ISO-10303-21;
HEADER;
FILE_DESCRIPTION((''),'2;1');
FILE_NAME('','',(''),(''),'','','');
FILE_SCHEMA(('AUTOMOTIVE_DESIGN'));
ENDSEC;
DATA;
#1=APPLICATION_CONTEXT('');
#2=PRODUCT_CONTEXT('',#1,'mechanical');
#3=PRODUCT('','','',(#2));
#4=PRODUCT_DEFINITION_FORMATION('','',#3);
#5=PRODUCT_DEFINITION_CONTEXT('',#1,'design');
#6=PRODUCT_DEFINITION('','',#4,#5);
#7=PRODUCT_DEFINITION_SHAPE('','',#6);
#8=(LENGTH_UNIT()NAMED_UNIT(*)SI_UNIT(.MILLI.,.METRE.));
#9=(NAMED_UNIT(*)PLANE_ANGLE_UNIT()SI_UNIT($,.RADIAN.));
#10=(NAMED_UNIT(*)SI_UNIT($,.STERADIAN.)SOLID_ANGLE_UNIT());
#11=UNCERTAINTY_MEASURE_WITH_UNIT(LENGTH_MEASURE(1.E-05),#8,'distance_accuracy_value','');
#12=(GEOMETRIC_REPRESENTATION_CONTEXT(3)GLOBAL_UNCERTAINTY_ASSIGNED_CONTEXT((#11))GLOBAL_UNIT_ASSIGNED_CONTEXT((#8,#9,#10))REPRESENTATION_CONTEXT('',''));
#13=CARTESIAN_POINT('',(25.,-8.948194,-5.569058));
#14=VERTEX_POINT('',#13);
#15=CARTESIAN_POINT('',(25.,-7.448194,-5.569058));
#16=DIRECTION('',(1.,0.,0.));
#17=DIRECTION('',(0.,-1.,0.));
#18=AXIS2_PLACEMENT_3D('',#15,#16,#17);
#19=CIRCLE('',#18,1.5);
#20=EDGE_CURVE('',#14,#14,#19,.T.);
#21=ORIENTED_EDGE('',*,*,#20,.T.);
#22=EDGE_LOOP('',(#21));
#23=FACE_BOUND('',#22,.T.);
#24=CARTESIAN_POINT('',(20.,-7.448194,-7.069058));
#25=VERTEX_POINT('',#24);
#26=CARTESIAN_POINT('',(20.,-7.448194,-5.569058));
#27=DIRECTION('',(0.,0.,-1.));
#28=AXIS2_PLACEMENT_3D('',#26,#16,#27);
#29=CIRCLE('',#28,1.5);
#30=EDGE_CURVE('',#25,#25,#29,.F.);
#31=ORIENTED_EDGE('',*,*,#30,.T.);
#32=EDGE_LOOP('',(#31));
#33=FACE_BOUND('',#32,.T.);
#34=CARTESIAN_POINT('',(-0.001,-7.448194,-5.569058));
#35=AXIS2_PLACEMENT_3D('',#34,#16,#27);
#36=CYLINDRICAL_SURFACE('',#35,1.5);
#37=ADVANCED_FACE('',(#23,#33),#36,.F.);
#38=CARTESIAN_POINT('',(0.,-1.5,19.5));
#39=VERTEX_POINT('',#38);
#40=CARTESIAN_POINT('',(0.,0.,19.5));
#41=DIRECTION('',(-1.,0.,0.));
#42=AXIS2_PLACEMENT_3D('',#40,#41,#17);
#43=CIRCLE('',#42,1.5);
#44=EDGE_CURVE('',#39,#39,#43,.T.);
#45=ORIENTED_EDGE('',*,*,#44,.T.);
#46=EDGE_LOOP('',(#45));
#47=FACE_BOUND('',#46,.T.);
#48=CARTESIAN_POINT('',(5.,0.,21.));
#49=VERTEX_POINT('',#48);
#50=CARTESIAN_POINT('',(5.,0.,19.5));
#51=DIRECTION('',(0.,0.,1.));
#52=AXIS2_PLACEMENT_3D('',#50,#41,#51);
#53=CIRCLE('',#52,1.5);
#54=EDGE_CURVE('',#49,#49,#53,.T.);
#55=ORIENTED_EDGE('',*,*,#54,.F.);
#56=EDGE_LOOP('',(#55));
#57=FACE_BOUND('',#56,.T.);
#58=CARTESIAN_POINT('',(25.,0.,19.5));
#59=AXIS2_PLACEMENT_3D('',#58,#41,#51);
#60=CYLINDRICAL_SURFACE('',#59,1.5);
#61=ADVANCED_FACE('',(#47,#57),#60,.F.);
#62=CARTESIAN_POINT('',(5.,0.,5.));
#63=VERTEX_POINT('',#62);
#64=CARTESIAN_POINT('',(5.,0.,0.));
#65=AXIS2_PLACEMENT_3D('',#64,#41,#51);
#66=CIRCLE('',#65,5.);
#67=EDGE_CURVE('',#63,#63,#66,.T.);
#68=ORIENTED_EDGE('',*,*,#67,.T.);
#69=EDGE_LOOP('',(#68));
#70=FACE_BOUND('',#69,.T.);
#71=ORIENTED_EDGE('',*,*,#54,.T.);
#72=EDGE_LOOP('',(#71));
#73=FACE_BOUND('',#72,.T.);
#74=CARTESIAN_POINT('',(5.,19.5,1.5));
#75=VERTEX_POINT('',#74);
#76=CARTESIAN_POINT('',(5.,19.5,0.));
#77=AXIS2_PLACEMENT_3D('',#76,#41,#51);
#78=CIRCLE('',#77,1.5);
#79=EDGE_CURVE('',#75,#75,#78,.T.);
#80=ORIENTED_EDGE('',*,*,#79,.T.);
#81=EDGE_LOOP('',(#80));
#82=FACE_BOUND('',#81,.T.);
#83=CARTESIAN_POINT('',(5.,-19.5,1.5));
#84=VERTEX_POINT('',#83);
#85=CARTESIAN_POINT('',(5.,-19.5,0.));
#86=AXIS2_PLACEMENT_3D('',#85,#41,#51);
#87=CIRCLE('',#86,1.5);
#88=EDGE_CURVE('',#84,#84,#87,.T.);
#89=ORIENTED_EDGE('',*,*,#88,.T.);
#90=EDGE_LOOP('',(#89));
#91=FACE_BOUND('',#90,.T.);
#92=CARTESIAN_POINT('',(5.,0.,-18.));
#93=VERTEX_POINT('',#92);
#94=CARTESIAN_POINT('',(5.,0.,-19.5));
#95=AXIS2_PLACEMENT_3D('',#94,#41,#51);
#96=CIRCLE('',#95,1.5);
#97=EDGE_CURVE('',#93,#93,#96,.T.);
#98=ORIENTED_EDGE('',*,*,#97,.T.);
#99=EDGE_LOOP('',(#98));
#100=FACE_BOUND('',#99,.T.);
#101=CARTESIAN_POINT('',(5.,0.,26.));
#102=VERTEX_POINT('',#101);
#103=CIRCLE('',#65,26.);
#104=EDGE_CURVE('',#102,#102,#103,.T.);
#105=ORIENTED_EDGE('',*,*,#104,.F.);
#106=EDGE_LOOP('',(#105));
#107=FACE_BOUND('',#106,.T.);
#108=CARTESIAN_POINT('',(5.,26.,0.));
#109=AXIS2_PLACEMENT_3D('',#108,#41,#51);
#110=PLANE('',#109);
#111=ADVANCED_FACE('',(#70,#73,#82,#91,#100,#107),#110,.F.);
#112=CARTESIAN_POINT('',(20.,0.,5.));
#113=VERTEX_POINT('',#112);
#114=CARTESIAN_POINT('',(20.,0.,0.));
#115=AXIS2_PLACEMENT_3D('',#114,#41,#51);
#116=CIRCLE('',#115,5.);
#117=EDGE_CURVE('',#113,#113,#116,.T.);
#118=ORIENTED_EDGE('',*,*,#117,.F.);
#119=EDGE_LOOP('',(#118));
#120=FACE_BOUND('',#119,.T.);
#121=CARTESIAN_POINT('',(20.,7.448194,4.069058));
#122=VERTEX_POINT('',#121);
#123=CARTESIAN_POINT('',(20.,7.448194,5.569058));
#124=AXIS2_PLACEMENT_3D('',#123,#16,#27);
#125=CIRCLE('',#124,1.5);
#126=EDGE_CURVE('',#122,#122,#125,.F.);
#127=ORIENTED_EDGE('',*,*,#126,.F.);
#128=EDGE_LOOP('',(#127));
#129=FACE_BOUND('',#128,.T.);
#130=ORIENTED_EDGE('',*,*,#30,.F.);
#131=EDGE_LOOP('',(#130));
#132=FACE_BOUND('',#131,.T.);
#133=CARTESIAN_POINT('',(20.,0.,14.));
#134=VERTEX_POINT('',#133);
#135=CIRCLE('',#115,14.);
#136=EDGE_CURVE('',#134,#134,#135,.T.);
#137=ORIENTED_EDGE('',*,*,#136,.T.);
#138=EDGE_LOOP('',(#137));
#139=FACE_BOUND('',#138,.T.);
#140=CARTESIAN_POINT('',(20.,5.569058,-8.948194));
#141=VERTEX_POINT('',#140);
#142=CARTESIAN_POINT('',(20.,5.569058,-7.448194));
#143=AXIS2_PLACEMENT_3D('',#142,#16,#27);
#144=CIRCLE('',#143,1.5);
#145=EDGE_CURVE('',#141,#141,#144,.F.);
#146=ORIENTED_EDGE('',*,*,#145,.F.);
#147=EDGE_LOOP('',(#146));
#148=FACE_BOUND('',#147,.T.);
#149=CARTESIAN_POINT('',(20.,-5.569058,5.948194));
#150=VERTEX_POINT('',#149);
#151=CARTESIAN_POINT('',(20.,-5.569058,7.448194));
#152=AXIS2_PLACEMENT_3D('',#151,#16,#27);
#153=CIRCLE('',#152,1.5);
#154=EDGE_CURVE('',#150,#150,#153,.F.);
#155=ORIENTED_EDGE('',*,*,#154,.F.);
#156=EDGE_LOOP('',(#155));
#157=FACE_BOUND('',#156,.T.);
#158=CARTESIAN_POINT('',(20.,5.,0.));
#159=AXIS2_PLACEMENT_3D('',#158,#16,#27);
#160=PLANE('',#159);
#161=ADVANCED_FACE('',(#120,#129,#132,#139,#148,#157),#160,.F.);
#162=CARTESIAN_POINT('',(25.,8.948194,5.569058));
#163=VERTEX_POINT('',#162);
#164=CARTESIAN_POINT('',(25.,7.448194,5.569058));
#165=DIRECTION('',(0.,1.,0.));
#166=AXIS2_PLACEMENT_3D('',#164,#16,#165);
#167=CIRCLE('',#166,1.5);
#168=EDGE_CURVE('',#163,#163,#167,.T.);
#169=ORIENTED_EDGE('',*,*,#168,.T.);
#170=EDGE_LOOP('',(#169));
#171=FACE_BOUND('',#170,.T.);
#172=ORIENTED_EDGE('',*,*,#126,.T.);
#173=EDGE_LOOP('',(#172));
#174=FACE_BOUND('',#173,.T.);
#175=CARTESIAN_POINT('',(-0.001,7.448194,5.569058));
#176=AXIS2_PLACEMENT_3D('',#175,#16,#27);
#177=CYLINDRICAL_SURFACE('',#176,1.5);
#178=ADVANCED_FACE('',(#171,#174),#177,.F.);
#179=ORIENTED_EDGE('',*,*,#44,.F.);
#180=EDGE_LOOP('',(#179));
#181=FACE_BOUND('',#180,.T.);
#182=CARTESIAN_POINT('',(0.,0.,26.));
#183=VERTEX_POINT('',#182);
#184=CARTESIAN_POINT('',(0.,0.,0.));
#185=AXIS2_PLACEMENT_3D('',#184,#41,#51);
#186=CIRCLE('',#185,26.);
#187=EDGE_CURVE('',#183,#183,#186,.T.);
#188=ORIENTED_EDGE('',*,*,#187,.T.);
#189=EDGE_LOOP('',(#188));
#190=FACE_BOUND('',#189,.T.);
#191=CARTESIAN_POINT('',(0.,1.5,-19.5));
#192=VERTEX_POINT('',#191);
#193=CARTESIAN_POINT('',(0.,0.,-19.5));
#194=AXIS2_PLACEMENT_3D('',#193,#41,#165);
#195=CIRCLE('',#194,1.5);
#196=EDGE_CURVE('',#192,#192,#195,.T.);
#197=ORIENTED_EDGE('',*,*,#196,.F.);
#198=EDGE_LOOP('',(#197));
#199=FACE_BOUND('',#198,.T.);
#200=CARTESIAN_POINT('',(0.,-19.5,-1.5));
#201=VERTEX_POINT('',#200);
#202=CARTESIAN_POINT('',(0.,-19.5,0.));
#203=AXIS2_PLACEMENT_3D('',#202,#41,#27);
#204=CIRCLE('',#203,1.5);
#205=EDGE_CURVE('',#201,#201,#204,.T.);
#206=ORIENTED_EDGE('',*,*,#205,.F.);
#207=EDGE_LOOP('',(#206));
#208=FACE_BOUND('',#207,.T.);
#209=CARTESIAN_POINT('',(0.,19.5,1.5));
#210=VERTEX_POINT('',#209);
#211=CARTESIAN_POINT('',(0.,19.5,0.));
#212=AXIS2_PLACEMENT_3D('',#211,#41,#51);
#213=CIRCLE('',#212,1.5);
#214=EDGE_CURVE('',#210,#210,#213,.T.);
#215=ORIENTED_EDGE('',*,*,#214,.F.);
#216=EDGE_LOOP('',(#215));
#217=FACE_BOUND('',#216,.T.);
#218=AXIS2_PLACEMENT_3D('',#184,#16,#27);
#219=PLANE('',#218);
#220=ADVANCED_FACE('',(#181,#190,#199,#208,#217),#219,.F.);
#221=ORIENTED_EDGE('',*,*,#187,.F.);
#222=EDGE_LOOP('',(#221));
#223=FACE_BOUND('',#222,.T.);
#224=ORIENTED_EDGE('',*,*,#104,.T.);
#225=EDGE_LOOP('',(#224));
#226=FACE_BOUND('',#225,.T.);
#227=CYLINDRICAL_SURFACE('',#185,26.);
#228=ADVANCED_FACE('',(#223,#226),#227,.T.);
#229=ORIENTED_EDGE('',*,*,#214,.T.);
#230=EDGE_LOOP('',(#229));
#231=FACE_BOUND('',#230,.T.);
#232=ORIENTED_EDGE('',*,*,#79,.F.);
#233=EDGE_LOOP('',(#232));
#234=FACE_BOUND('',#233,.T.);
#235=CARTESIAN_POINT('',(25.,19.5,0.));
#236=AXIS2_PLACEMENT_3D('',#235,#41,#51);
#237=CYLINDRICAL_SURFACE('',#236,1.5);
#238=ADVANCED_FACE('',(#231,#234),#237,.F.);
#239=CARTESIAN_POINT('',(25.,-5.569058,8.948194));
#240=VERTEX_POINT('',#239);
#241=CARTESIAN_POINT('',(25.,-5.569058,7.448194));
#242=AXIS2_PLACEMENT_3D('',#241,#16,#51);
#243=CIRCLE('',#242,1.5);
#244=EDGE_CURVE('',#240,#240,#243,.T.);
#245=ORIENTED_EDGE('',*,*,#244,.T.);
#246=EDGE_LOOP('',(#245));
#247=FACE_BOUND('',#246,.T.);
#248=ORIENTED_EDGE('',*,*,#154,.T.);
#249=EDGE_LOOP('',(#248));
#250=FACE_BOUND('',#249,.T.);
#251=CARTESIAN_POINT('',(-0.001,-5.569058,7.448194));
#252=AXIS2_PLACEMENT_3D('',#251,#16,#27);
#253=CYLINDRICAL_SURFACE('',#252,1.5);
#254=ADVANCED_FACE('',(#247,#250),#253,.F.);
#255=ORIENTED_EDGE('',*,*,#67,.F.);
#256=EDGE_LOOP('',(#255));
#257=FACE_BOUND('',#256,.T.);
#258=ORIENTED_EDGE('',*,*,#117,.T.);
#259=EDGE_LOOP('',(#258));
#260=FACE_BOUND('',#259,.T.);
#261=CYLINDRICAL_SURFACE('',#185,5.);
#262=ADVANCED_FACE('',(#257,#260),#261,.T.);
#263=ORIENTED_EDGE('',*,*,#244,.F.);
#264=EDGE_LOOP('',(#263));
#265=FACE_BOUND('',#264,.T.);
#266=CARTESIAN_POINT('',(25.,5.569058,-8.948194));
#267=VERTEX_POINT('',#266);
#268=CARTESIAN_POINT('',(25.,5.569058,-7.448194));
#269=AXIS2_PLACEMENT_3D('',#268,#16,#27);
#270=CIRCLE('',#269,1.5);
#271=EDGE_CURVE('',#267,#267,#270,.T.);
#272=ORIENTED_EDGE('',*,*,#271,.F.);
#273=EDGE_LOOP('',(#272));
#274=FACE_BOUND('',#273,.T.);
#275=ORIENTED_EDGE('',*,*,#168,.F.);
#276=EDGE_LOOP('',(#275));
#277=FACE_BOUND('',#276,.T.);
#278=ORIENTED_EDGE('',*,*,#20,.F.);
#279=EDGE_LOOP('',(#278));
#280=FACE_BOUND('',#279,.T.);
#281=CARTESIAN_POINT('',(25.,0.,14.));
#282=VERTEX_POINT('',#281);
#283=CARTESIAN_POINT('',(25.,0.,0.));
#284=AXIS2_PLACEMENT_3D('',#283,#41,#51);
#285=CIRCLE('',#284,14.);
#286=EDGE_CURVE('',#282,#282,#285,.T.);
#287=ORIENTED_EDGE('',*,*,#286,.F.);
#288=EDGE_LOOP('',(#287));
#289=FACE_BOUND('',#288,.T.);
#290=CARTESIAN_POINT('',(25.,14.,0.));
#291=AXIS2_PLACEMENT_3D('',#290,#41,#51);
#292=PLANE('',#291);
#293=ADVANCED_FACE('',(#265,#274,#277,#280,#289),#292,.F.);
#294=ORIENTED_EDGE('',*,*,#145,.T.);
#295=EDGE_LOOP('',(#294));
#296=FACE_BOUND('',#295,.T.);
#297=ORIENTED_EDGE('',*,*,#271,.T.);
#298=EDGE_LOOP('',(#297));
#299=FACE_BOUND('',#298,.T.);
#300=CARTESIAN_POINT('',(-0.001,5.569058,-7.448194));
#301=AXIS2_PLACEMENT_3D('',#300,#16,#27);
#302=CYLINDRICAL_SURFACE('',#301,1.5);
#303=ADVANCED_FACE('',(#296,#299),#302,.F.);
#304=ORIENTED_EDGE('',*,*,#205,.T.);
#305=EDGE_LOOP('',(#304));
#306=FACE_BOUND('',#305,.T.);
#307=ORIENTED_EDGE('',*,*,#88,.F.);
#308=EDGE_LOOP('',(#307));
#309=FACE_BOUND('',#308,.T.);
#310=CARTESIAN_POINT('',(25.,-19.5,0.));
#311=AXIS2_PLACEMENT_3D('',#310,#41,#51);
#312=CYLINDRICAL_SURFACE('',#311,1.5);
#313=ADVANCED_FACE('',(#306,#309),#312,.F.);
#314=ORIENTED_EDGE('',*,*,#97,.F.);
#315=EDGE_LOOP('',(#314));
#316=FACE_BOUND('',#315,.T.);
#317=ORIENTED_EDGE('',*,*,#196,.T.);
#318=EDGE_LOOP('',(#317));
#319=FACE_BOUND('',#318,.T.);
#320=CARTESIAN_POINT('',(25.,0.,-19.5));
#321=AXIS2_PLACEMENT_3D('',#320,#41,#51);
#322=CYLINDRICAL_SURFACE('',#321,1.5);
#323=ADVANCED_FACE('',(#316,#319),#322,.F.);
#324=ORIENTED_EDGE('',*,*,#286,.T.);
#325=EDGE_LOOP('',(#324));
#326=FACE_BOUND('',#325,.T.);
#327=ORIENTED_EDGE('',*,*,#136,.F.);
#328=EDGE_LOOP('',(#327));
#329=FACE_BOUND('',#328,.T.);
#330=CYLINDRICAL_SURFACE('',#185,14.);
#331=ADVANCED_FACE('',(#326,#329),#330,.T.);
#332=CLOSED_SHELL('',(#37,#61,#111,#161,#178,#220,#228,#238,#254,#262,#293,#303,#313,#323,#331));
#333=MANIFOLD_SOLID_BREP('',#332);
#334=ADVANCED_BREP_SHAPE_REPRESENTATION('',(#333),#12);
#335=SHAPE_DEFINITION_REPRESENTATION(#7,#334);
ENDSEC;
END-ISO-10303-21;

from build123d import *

# Parameters (mm, degrees)
SKETCH_2_R               = 1.5
CUT_EXTRUDE_1_DEPTH      = 45.463468151
PATTERN_CIRCULAR_1_COUNT = 4
CUT_EXTRUDE_2_REACH      = 46.463
SKETCH_3_R               = 1.5
PATTERN_CIRCULAR_2_COUNT = 4


with BuildPart() as part:
    # Эскиз1 → Повернуть1 (revolve)
    with BuildSketch(Plane.XY):
        Polygon((0, 0), (0, 26), (5, 26), (5, 5), (20, 5), (20, 14), (25, 14), (25, 0), align=None)
    revolve(axis=Axis((0, 0, 0), (1, 0, 0)))

    # Эскиз2 → Вырез-Вытянуть1 (cut, through all)
    with BuildSketch(Plane.ZY):
        with Locations((0, 19.5)):
            Circle(SKETCH_2_R)
    cut_extrude_1 = extrude(amount=-CUT_EXTRUDE_1_DEPTH, mode=Mode.SUBTRACT)

    # Круговой массив1: Вырез-Вытянуть1 ×4 about axis
    pattern_circular_1_axis = Axis((5, 0, 0), (-1, 0, 0))
    for i in range(1, PATTERN_CIRCULAR_1_COUNT):
        add(cut_extrude_1.rotate(pattern_circular_1_axis, i * 360 / PATTERN_CIRCULAR_1_COUNT), mode=Mode.SUBTRACT)

    # Эскиз3 → Вырез-Вытянуть2 (cut, up to next)
    with BuildSketch(Plane(origin=(25, 0, 0), x_dir=(0, 0, -1), z_dir=(1, 0, 0)), mode=Mode.PRIVATE) as cut_extrude_2_sk1:
        with Locations((7.448193574, 5.569058492)):
            Circle(SKETCH_3_R)
    cut_extrude_2_tool1 = extrude(cut_extrude_2_sk1.sketch, amount=-CUT_EXTRUDE_2_REACH, mode=Mode.PRIVATE) & part.part
    cut_extrude_2 = cut_extrude_2_tool1.solids().sort_by_distance((25, 5.569058, -7.448194))[0]
    add(cut_extrude_2, mode=Mode.SUBTRACT)

    # Круговой массив2: Вырез-Вытянуть2 ×4 about axis
    pattern_circular_2_axis = Axis((5, 0, 0), (-1, 0, 0))
    for i in range(1, PATTERN_CIRCULAR_2_COUNT):
        add(cut_extrude_2.rotate(pattern_circular_2_axis, i * 360 / PATTERN_CIRCULAR_2_COUNT), mode=Mode.SUBTRACT)


solid = part.part
